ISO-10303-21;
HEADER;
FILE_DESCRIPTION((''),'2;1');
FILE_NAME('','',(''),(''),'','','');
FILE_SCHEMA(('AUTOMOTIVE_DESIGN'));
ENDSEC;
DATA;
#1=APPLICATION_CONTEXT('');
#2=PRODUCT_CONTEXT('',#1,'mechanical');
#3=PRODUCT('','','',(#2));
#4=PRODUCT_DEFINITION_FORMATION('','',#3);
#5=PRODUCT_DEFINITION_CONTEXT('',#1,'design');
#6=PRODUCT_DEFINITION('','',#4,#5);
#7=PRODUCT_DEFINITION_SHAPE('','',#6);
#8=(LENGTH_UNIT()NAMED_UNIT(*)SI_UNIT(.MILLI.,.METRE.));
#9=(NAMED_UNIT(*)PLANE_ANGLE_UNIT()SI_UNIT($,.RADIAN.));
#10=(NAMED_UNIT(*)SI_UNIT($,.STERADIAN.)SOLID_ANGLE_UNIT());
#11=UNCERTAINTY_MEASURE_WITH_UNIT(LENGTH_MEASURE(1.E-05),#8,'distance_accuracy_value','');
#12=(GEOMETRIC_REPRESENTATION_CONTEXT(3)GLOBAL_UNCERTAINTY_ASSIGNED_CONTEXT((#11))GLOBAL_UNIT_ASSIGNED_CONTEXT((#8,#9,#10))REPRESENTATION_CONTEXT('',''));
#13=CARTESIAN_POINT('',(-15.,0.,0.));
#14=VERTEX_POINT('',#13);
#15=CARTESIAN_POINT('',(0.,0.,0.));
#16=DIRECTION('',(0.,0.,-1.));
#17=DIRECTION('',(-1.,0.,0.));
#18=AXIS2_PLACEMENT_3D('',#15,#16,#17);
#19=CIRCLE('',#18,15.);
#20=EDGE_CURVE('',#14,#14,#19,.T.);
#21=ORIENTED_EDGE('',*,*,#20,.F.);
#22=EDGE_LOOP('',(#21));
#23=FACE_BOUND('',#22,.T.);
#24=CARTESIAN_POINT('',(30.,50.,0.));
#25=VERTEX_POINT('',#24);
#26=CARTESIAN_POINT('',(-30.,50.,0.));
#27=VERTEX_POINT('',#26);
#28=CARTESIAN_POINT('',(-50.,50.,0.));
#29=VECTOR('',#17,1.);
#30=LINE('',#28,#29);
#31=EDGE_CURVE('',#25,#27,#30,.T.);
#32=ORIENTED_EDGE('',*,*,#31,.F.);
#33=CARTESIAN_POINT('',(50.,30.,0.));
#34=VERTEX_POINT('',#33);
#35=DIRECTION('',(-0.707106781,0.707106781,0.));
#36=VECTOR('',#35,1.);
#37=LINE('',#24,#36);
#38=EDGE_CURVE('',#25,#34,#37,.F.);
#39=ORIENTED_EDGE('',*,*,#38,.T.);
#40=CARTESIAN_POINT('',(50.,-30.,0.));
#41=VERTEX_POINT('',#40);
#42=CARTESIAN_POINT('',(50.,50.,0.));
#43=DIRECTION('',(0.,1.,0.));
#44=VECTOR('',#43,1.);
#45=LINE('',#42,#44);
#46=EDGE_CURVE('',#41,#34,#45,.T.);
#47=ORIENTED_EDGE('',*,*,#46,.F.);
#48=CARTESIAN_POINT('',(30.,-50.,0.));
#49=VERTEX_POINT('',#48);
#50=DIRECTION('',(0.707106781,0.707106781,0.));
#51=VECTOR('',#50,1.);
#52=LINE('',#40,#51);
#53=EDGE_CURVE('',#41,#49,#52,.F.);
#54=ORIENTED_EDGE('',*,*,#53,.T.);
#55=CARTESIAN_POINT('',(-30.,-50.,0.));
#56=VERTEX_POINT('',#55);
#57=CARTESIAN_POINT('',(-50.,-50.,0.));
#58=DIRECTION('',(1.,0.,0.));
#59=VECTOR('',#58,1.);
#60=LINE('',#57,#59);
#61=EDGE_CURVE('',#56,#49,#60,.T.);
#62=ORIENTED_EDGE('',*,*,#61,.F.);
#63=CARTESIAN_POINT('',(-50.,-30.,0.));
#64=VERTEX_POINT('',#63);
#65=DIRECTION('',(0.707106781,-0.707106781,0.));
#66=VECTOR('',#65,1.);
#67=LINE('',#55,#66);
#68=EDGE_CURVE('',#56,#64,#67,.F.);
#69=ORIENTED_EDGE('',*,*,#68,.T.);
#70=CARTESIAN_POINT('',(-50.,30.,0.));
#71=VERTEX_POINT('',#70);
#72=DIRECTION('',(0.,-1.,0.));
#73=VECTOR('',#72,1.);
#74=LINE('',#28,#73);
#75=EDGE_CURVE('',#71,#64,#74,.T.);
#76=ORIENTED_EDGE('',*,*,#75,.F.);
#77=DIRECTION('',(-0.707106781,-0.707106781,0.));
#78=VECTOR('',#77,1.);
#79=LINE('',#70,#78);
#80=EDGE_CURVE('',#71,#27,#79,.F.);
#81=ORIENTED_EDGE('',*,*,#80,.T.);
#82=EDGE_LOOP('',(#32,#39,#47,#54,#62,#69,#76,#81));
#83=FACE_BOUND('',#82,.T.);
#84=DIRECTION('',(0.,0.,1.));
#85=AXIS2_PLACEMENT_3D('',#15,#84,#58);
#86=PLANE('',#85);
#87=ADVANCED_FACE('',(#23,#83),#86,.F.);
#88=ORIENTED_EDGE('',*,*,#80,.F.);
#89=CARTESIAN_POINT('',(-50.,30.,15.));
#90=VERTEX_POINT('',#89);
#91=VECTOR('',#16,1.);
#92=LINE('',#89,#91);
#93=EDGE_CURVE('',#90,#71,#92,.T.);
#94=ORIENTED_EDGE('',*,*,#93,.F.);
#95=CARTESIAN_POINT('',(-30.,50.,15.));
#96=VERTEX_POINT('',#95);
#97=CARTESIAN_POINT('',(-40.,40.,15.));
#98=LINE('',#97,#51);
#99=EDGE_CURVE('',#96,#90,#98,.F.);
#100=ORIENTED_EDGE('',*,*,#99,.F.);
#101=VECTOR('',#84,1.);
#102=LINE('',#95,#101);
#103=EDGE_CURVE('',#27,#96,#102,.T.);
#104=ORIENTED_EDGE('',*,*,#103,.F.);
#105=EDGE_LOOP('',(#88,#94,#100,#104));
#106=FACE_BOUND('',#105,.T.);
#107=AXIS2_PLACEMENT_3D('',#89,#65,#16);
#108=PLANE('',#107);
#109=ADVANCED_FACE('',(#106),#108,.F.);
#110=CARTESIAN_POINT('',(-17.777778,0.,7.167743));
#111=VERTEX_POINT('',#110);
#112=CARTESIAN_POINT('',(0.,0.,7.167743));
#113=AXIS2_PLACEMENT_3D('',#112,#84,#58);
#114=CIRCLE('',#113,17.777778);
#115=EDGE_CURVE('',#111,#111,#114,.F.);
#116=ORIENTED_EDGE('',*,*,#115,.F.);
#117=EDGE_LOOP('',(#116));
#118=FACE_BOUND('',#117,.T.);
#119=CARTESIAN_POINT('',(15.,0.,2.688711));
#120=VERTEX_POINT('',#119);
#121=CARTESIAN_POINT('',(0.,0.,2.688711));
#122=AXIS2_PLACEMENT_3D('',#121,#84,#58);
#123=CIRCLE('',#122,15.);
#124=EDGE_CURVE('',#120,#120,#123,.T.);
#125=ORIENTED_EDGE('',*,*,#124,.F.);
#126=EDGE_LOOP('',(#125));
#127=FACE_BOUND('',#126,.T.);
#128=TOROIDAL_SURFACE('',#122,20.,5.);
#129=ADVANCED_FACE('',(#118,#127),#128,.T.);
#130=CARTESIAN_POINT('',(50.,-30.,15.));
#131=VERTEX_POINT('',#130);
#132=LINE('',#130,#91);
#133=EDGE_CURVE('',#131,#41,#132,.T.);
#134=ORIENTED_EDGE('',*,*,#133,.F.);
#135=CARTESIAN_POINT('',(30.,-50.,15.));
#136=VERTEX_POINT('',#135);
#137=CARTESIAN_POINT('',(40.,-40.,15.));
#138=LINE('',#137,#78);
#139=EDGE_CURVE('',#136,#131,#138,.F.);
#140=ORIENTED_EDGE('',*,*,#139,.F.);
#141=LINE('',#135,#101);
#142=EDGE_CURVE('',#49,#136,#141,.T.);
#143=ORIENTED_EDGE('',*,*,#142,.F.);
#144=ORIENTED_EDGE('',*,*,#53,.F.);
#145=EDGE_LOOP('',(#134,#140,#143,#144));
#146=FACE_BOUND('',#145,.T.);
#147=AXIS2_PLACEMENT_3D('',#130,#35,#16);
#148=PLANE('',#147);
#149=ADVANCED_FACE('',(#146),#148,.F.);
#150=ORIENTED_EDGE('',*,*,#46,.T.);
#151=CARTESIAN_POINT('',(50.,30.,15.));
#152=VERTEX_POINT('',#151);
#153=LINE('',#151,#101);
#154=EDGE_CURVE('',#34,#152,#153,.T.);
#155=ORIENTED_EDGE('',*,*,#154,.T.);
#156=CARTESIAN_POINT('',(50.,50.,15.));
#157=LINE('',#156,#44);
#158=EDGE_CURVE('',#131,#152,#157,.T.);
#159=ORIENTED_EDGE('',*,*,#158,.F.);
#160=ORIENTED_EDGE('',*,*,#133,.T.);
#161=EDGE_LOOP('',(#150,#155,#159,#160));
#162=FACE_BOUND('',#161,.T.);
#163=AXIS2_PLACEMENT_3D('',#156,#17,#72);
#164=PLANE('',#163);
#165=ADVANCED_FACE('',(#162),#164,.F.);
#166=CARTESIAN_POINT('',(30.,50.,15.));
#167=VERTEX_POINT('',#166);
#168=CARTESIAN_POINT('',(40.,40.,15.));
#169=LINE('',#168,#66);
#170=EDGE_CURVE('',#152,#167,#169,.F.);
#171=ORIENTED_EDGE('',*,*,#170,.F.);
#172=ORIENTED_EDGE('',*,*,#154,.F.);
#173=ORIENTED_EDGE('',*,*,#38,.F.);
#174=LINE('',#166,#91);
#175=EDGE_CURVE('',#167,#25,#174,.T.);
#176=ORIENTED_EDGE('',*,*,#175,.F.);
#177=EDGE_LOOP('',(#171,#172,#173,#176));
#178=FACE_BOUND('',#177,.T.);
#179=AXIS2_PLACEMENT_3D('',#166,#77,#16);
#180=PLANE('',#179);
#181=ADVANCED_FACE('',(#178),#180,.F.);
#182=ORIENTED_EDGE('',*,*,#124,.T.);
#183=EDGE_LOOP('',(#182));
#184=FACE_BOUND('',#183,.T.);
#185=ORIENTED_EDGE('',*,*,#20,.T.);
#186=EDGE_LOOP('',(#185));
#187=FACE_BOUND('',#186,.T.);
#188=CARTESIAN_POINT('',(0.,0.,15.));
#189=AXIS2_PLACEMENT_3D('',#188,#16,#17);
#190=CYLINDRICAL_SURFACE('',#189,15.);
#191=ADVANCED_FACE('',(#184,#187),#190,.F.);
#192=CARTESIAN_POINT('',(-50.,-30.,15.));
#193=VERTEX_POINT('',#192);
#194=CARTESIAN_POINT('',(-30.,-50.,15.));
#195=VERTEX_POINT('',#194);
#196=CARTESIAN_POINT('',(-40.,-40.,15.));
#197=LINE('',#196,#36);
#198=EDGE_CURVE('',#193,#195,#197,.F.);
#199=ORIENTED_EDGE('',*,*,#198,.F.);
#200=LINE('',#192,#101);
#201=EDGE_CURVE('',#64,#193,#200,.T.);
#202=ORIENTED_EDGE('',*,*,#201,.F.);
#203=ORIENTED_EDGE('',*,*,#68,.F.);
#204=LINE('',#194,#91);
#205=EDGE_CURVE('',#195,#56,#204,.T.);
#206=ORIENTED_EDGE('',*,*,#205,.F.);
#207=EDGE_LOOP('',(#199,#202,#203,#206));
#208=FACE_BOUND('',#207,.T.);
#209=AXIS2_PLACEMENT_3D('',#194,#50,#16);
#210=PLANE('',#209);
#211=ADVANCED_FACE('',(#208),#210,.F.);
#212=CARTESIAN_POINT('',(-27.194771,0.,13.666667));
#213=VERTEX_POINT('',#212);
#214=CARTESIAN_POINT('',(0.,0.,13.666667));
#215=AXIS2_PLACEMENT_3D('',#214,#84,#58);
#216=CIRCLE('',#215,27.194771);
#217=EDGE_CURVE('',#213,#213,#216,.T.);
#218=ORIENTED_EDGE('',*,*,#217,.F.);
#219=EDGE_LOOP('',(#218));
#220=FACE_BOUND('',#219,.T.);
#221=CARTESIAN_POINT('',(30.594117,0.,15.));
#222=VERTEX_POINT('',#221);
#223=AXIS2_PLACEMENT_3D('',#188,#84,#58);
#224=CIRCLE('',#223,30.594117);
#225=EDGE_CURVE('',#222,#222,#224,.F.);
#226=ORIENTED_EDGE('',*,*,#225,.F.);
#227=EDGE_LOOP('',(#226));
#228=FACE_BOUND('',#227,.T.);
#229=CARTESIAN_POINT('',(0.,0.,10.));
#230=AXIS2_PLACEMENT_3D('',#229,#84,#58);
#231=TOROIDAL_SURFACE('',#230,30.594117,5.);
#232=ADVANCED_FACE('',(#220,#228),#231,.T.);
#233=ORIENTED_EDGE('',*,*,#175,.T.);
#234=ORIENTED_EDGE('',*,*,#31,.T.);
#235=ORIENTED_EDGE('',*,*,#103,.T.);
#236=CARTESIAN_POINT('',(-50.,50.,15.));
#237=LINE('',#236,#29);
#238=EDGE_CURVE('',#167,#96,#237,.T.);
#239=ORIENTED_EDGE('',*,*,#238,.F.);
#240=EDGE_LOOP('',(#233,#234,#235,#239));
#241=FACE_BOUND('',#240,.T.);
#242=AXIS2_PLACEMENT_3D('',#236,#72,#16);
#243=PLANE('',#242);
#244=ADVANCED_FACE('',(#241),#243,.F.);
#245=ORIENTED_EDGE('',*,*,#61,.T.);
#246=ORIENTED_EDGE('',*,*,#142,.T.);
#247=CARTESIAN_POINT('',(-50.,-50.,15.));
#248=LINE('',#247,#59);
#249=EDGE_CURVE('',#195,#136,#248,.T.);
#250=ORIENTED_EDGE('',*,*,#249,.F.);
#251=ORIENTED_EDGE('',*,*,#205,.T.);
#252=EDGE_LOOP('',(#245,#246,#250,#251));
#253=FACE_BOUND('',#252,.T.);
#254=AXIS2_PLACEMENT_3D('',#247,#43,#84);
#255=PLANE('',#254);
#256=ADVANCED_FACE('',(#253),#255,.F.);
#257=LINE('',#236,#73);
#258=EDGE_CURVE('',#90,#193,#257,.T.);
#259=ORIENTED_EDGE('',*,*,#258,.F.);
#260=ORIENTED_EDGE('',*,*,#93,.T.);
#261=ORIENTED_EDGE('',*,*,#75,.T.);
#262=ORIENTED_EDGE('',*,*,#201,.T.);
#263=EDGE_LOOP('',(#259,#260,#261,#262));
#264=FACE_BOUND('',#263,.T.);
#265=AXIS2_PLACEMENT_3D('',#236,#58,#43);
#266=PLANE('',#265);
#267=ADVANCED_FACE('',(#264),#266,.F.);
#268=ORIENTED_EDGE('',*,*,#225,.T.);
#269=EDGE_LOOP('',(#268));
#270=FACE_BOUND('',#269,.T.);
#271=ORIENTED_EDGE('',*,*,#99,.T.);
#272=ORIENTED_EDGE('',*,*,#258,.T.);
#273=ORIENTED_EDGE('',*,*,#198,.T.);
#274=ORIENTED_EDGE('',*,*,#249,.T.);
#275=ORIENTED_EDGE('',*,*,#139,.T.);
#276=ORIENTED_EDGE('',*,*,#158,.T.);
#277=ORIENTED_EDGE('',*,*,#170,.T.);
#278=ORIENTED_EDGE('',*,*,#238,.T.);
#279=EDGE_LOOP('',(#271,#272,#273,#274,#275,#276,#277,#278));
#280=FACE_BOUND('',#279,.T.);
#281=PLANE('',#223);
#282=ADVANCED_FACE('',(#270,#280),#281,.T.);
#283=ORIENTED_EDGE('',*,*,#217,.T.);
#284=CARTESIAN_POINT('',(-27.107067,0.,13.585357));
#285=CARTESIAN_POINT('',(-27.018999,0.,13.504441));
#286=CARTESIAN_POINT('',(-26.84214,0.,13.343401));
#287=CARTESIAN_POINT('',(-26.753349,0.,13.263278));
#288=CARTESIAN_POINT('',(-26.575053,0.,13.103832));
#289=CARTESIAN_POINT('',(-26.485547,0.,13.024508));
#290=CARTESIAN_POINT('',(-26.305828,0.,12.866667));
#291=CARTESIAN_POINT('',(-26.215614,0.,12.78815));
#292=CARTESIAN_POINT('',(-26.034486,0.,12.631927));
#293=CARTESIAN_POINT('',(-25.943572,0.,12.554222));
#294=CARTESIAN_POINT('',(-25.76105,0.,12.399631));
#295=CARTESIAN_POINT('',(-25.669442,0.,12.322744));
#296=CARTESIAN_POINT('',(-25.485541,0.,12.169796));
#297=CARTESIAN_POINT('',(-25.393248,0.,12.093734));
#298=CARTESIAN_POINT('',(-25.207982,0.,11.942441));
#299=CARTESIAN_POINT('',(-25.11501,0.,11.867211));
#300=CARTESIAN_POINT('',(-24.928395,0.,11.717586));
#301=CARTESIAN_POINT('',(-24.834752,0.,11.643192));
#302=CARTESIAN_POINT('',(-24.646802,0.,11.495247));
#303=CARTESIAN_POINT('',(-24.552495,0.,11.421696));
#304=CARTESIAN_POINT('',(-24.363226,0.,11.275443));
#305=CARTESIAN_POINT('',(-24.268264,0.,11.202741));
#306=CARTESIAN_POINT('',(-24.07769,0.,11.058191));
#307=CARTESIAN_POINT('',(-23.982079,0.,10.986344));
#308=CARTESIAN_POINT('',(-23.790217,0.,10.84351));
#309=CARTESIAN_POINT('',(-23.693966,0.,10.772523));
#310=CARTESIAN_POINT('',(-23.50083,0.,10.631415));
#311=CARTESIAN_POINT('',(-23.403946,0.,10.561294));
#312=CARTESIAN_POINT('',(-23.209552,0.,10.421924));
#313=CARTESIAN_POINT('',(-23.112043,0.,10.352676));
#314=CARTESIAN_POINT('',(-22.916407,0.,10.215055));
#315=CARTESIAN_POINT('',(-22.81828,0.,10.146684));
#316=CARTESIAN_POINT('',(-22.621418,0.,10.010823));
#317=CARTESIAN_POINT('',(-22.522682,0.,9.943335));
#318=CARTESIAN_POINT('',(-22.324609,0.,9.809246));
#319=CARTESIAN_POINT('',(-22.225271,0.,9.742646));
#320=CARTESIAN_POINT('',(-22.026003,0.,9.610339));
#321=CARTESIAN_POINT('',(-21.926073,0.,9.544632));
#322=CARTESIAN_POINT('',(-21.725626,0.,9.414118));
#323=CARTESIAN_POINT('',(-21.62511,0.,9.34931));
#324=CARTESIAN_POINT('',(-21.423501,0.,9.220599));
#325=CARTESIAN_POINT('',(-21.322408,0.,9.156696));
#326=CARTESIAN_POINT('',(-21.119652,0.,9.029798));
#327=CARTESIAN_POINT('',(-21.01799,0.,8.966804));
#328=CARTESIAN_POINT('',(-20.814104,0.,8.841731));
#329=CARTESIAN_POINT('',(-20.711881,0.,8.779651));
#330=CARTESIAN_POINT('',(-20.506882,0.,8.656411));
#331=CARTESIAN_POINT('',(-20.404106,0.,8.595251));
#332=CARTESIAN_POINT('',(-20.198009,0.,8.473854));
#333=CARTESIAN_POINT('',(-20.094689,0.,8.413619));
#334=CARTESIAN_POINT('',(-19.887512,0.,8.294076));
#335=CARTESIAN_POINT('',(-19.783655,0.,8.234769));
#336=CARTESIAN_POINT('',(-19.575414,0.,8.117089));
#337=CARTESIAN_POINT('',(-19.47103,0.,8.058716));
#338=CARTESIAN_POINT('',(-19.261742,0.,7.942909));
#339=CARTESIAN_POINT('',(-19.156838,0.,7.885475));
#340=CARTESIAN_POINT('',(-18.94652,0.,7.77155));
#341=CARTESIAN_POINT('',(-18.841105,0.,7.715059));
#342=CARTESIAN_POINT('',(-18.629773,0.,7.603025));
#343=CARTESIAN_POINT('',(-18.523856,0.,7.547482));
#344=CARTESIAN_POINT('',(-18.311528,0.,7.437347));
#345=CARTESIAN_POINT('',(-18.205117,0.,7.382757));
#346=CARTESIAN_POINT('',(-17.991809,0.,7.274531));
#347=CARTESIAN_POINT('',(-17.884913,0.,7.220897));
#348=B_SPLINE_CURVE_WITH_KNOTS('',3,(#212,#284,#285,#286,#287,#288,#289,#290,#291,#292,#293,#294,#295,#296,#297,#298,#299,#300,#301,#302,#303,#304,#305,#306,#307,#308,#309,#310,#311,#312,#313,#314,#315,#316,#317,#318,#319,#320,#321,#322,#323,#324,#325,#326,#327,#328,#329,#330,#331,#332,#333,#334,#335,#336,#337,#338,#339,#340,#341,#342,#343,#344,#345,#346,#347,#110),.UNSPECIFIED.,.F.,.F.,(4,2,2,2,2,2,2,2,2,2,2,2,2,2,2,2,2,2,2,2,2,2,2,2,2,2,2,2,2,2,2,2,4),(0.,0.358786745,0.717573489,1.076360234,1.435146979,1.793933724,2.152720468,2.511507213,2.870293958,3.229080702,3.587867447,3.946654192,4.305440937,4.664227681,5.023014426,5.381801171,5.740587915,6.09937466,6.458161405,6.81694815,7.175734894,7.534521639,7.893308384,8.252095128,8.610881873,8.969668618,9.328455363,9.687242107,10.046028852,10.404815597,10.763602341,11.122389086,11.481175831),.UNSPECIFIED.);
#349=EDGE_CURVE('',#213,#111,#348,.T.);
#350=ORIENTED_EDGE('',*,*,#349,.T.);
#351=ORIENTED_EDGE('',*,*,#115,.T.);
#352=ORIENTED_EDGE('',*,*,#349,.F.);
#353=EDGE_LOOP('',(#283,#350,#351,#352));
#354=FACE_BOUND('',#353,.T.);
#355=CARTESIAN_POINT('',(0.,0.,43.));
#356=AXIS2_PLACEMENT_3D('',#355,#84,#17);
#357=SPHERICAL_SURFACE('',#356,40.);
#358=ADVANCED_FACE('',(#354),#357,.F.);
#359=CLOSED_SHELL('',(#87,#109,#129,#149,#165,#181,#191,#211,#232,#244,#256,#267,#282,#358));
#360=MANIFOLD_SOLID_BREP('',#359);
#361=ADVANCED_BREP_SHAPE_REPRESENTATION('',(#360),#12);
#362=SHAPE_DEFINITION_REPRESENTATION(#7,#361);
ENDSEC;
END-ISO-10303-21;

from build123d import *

# Parameters (mm, degrees)
SKETCH_2_W         = 100
SKETCH_2_H         = 100
EXTRUDE_1_DEPTH    = 15
SKETCH3_R          = 15
CUT_EXTRUDE1_DEPTH = 73.284161474
CHAMFER_1_SIZE     = 20
FILLET1_R          = 5
FILLET_1_R         = 5


with BuildPart() as part:
    # ｽｹｯﾁ2 → ﾎﾞｽ - 押し出し1 (new body)
    with BuildSketch(Plane.XY):
        Rectangle(SKETCH_2_W, SKETCH_2_H)
    extrude(amount=EXTRUDE_1_DEPTH)

    # ｽｹｯﾁ3 → ｶｯﾄ - 回転1 (revolve, cut)
    with BuildSketch(Plane(origin=(0, 0, 0), x_dir=(1, 0, 0), z_dir=(0, 1, 0))):
        with BuildLine():
            Line((0, -83), (0, -3))
            ThreePointArc((0, -3), (40, -43), (0, -83))
        make_face()
    revolve(axis=Axis((0, 0, 83), (0, 0, -1)), mode=Mode.SUBTRACT)

    # Sketch3 → Cut-Extrude1 (cut, through all)
    with BuildSketch(Plane(origin=(0, 0, 0), x_dir=(-1, 0, 0), z_dir=(0, 0, -1))):
        Circle(SKETCH3_R)
    extrude(amount=-CUT_EXTRUDE1_DEPTH, mode=Mode.SUBTRACT)

    # 面取り1
    chamfer_1_edges = [part.edges().sort_by_distance(p)[0] for p in [
        (50, -50, 7.5),
        (-50, -50, 7.5),
        (-50, 50, 7.5),
        (50, 50, 7.5),
    ]]
    chamfer(chamfer_1_edges, length=CHAMFER_1_SIZE)

    # Fillet1
    fillet1_edges = [part.edges().sort_by_distance(p)[0] for p in [
        (0, -15, 5.919007565),
    ]]
    fillet(fillet1_edges, radius=FILLET1_R)

    # ﾌｨﾚｯﾄ1
    fillet_1_edges = [part.edges().sort_by_distance(p)[0] for p in [
        (-28.565713714, 0, 15),
    ]]
    fillet(fillet_1_edges, radius=FILLET_1_R)


solid = part.part
